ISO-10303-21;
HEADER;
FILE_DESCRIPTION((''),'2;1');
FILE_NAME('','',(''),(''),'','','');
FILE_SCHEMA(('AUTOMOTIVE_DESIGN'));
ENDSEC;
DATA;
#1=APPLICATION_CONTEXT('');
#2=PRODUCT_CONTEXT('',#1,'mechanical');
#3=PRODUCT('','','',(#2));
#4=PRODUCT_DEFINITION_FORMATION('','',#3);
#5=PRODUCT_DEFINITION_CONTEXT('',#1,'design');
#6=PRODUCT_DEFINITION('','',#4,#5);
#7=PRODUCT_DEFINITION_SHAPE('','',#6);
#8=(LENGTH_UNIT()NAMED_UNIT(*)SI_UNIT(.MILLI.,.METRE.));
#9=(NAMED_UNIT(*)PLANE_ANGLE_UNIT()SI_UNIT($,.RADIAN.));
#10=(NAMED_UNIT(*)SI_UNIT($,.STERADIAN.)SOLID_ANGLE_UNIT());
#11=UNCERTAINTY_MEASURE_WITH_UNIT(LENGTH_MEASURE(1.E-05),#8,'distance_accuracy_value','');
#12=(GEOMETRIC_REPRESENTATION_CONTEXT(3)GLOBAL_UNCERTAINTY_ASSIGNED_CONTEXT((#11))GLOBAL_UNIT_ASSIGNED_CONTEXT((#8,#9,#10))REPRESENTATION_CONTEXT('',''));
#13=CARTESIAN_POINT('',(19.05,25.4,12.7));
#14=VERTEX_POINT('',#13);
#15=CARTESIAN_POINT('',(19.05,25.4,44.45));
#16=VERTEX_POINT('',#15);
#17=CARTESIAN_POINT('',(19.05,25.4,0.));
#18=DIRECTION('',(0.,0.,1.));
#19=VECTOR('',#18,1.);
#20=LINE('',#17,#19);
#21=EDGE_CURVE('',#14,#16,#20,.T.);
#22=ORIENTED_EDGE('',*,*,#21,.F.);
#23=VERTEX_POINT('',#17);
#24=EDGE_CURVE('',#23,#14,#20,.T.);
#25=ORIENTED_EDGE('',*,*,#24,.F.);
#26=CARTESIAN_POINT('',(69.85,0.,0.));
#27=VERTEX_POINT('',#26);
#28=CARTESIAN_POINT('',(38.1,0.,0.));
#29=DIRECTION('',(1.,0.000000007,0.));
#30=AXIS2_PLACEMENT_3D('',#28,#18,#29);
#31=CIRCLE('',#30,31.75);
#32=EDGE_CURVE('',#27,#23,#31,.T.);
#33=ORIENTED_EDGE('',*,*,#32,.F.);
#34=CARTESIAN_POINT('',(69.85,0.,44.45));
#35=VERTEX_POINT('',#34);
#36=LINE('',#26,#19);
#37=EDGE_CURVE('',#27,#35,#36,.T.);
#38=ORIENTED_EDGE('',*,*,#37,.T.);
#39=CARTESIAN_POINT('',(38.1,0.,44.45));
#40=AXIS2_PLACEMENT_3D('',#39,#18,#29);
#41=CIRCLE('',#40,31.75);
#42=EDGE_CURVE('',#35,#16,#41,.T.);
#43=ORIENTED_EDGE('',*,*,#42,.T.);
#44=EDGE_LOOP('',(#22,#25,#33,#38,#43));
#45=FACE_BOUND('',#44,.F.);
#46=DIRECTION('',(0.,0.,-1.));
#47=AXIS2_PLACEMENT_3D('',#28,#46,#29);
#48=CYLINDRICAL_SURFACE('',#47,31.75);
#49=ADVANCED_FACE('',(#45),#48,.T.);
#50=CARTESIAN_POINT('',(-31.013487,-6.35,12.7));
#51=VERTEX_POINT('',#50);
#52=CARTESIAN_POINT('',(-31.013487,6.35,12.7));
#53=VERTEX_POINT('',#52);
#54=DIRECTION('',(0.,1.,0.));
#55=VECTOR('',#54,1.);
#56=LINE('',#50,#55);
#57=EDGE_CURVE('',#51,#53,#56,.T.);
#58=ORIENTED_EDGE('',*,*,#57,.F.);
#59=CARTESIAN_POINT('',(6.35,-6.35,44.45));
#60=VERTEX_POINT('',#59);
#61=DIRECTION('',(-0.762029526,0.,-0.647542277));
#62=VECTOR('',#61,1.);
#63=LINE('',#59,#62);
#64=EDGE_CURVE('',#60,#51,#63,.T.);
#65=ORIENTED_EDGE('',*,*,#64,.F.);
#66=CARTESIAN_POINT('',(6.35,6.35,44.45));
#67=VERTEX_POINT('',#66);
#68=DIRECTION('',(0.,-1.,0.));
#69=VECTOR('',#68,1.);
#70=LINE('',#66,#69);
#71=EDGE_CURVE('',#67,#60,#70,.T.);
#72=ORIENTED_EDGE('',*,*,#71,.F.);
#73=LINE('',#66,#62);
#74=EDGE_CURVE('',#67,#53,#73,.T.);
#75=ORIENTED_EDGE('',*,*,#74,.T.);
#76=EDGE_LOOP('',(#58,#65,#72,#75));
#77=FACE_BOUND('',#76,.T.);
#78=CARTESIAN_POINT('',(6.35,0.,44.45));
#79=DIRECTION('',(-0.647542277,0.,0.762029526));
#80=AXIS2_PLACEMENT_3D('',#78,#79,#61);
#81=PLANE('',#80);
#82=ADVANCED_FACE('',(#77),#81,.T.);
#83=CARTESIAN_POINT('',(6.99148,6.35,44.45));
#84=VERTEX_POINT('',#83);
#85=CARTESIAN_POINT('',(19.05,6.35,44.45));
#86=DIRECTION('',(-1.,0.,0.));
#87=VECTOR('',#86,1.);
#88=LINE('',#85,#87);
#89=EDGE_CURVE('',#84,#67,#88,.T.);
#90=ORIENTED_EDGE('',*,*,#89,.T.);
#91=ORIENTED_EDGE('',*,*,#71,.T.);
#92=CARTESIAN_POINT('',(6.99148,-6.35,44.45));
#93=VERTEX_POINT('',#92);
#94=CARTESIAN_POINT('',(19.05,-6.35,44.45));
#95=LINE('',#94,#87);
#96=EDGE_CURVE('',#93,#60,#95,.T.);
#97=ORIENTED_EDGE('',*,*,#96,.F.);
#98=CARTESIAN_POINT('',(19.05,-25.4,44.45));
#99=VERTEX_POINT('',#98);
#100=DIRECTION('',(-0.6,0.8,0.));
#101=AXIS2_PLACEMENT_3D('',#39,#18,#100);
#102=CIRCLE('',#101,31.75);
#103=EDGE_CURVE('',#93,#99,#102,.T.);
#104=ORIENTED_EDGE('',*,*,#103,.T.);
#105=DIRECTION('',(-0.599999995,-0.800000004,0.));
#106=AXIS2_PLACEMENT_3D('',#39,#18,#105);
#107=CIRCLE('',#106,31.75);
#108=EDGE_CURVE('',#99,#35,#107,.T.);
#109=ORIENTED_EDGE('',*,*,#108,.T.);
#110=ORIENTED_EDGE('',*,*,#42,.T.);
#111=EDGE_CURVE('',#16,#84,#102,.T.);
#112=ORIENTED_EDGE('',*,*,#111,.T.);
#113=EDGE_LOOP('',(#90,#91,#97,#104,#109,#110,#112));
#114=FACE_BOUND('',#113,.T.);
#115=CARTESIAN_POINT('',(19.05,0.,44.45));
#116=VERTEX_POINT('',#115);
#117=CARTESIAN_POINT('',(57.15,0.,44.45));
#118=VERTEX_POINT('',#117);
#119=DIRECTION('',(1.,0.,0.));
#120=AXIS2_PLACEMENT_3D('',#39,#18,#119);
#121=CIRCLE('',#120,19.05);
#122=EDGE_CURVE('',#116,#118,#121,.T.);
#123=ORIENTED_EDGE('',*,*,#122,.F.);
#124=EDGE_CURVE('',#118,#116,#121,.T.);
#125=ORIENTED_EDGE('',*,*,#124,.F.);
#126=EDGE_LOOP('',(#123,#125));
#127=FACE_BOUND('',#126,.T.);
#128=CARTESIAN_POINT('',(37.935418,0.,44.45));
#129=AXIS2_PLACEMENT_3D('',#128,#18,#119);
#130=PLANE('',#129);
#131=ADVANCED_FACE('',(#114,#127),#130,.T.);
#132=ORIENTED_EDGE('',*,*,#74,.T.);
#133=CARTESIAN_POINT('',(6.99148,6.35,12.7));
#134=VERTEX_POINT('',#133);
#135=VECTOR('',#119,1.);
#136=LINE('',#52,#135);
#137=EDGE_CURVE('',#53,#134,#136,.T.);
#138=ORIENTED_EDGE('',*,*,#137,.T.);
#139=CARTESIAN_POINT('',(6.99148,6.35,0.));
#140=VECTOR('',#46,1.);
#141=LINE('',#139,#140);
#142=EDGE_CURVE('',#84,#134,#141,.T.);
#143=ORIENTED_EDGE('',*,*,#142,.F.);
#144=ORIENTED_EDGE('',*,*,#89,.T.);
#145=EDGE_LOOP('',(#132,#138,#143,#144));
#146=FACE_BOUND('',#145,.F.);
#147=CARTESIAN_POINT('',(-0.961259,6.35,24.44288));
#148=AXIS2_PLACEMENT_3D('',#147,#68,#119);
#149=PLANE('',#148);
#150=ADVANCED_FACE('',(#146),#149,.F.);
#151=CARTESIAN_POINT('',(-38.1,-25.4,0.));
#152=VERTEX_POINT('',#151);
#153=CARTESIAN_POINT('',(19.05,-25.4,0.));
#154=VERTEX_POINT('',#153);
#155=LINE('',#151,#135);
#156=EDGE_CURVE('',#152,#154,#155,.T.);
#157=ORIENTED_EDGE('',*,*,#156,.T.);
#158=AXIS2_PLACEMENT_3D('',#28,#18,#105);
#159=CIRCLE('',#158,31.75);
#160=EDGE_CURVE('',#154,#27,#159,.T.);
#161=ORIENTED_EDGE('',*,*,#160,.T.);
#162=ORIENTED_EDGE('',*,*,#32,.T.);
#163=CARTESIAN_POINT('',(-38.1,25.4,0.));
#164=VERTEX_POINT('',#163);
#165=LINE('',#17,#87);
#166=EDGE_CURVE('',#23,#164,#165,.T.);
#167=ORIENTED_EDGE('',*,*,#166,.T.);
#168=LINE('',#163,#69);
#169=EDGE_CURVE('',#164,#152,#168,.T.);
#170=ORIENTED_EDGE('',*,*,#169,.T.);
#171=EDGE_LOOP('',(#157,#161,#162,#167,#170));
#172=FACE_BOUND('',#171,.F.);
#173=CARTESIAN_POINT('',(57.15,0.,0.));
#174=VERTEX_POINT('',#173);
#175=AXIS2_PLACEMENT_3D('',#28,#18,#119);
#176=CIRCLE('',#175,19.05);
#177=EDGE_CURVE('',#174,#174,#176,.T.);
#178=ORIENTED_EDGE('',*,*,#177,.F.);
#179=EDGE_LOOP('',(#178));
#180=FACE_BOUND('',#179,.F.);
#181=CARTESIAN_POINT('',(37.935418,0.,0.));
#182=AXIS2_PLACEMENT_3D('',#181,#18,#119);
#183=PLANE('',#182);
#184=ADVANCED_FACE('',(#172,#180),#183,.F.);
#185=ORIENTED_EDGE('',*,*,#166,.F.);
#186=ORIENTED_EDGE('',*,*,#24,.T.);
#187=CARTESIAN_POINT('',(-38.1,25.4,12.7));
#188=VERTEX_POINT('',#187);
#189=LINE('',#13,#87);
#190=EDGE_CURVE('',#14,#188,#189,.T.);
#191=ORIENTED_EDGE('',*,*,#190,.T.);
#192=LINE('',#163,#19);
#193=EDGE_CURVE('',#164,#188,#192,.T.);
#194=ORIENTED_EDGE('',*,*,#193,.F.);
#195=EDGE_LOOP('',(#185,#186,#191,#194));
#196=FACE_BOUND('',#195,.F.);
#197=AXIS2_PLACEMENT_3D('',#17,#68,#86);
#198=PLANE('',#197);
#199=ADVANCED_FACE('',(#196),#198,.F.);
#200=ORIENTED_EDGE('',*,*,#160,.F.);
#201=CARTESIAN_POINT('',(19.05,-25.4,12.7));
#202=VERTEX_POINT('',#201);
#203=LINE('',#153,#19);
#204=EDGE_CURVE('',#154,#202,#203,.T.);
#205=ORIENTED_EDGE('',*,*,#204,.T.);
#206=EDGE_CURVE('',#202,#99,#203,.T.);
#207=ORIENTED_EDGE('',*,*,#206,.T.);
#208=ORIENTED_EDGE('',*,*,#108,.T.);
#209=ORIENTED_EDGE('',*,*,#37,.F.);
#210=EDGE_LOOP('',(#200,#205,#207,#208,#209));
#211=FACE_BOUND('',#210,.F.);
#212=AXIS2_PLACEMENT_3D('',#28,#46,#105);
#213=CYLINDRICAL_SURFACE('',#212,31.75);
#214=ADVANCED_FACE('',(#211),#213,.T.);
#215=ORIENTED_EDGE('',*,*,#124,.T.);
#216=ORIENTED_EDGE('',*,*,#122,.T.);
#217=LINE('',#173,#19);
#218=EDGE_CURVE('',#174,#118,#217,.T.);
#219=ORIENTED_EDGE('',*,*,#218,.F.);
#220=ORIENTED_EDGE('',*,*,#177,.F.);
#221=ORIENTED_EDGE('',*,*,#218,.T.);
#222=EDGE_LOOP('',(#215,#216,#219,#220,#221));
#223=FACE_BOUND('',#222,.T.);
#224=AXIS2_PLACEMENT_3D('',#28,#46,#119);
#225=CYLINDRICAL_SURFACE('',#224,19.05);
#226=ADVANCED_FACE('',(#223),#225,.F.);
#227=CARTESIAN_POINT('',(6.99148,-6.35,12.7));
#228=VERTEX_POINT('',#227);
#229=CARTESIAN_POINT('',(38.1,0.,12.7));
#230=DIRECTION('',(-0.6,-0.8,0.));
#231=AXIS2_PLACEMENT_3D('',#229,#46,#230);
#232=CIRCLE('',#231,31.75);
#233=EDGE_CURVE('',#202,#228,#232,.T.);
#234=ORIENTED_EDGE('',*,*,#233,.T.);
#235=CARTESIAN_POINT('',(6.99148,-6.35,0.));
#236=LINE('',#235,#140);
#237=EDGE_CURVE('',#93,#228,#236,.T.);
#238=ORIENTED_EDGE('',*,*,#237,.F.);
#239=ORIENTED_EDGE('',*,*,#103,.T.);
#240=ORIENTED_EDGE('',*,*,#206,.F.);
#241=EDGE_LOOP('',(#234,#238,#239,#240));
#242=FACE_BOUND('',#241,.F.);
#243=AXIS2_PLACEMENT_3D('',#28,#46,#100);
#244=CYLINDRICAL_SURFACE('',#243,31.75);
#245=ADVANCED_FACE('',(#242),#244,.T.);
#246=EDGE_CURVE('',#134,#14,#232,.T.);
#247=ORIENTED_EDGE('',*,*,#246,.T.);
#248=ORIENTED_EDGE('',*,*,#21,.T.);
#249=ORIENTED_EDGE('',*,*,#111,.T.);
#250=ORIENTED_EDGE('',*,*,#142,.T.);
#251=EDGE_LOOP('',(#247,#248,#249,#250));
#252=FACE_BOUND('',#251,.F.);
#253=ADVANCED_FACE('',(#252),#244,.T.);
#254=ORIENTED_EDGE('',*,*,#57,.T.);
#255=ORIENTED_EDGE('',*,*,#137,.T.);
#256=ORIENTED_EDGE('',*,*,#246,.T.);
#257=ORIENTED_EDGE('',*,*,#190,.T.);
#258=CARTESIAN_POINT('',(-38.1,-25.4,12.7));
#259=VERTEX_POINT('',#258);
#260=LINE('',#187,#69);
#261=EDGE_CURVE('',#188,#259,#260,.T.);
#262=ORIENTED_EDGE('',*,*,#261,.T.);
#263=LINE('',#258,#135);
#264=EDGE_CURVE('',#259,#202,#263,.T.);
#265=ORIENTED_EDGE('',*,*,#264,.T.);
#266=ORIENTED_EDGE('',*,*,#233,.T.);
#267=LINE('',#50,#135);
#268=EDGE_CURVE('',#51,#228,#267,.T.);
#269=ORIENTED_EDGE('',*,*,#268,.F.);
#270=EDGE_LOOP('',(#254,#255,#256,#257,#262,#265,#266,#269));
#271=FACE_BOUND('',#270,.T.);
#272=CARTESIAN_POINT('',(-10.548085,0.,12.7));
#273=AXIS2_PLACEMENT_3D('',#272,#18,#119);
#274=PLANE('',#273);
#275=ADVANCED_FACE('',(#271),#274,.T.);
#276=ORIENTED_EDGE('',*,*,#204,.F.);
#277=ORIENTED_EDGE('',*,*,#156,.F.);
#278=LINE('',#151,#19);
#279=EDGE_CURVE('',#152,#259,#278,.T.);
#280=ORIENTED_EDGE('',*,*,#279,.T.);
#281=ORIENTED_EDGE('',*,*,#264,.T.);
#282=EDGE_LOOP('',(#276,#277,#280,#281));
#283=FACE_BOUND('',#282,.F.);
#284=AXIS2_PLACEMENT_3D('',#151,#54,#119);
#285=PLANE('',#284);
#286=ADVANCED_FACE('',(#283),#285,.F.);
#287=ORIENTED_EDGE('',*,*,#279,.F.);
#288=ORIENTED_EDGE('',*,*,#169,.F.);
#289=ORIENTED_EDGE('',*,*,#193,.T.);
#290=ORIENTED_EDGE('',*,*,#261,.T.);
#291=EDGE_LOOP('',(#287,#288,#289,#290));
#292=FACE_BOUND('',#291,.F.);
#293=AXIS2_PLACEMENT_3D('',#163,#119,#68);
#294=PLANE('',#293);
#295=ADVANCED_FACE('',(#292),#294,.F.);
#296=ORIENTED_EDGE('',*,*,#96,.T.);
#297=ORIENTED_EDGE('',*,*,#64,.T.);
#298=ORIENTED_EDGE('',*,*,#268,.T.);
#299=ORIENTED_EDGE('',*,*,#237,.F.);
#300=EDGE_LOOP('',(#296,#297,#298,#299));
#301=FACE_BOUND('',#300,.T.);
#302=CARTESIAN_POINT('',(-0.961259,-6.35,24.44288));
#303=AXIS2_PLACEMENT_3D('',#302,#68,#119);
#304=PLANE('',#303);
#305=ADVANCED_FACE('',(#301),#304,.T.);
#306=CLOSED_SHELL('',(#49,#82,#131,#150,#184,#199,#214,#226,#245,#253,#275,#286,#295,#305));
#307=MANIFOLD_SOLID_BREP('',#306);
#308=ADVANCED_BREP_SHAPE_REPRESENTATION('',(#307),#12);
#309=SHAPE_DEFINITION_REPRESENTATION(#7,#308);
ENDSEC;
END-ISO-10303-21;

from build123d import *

# Parameters (mm, degrees)
F1_DEPTH = 12.7
F0_R     = 19.05
F2_DEPTH = 44.45
F4_DEPTH = 6.35


with BuildPart() as f1:
    # F0 (on Top) → F1 (new body)
    with BuildSketch(Plane.XY):
        with BuildLine():
            Line((-38.1, -25.4), (19.05, -25.4))
            ThreePointArc((19.05, -25.4), (6.35, 0), (19.05, 25.4))
            Line((19.05, 25.4), (-38.1, 25.4))
            Line((-38.1, 25.4), (-38.1, -25.4))
        make_face()
    extrude(amount=F1_DEPTH)

    # F0 (on Top) → F2 (join)
    with BuildSketch(Plane.XY):
        with BuildLine():
            ThreePointArc((19.05, 25.4), (6.35, 0), (19.05, -25.4))
            ThreePointArc((19.05, -25.4), (52.299032, -28.398063), (69.85, 0))
            ThreePointArc((69.85, 0), (52.299032, 28.398063), (19.05, 25.4))
        make_face()
        with Locations((38.1, 0)):
            Circle(F0_R, mode=Mode.SUBTRACT)
    extrude(amount=F2_DEPTH)

    # F3 (on Front) → F4 (join, symmetric)
    with BuildSketch(Plane.XZ):
        Polygon((6.35, 12.7), (19.05, 12.7), (19.05, 44.45), (6.35, 44.45), (-31.013487, 12.7), align=None)
    extrude(amount=F4_DEPTH, both=True)


solid = f1.part
